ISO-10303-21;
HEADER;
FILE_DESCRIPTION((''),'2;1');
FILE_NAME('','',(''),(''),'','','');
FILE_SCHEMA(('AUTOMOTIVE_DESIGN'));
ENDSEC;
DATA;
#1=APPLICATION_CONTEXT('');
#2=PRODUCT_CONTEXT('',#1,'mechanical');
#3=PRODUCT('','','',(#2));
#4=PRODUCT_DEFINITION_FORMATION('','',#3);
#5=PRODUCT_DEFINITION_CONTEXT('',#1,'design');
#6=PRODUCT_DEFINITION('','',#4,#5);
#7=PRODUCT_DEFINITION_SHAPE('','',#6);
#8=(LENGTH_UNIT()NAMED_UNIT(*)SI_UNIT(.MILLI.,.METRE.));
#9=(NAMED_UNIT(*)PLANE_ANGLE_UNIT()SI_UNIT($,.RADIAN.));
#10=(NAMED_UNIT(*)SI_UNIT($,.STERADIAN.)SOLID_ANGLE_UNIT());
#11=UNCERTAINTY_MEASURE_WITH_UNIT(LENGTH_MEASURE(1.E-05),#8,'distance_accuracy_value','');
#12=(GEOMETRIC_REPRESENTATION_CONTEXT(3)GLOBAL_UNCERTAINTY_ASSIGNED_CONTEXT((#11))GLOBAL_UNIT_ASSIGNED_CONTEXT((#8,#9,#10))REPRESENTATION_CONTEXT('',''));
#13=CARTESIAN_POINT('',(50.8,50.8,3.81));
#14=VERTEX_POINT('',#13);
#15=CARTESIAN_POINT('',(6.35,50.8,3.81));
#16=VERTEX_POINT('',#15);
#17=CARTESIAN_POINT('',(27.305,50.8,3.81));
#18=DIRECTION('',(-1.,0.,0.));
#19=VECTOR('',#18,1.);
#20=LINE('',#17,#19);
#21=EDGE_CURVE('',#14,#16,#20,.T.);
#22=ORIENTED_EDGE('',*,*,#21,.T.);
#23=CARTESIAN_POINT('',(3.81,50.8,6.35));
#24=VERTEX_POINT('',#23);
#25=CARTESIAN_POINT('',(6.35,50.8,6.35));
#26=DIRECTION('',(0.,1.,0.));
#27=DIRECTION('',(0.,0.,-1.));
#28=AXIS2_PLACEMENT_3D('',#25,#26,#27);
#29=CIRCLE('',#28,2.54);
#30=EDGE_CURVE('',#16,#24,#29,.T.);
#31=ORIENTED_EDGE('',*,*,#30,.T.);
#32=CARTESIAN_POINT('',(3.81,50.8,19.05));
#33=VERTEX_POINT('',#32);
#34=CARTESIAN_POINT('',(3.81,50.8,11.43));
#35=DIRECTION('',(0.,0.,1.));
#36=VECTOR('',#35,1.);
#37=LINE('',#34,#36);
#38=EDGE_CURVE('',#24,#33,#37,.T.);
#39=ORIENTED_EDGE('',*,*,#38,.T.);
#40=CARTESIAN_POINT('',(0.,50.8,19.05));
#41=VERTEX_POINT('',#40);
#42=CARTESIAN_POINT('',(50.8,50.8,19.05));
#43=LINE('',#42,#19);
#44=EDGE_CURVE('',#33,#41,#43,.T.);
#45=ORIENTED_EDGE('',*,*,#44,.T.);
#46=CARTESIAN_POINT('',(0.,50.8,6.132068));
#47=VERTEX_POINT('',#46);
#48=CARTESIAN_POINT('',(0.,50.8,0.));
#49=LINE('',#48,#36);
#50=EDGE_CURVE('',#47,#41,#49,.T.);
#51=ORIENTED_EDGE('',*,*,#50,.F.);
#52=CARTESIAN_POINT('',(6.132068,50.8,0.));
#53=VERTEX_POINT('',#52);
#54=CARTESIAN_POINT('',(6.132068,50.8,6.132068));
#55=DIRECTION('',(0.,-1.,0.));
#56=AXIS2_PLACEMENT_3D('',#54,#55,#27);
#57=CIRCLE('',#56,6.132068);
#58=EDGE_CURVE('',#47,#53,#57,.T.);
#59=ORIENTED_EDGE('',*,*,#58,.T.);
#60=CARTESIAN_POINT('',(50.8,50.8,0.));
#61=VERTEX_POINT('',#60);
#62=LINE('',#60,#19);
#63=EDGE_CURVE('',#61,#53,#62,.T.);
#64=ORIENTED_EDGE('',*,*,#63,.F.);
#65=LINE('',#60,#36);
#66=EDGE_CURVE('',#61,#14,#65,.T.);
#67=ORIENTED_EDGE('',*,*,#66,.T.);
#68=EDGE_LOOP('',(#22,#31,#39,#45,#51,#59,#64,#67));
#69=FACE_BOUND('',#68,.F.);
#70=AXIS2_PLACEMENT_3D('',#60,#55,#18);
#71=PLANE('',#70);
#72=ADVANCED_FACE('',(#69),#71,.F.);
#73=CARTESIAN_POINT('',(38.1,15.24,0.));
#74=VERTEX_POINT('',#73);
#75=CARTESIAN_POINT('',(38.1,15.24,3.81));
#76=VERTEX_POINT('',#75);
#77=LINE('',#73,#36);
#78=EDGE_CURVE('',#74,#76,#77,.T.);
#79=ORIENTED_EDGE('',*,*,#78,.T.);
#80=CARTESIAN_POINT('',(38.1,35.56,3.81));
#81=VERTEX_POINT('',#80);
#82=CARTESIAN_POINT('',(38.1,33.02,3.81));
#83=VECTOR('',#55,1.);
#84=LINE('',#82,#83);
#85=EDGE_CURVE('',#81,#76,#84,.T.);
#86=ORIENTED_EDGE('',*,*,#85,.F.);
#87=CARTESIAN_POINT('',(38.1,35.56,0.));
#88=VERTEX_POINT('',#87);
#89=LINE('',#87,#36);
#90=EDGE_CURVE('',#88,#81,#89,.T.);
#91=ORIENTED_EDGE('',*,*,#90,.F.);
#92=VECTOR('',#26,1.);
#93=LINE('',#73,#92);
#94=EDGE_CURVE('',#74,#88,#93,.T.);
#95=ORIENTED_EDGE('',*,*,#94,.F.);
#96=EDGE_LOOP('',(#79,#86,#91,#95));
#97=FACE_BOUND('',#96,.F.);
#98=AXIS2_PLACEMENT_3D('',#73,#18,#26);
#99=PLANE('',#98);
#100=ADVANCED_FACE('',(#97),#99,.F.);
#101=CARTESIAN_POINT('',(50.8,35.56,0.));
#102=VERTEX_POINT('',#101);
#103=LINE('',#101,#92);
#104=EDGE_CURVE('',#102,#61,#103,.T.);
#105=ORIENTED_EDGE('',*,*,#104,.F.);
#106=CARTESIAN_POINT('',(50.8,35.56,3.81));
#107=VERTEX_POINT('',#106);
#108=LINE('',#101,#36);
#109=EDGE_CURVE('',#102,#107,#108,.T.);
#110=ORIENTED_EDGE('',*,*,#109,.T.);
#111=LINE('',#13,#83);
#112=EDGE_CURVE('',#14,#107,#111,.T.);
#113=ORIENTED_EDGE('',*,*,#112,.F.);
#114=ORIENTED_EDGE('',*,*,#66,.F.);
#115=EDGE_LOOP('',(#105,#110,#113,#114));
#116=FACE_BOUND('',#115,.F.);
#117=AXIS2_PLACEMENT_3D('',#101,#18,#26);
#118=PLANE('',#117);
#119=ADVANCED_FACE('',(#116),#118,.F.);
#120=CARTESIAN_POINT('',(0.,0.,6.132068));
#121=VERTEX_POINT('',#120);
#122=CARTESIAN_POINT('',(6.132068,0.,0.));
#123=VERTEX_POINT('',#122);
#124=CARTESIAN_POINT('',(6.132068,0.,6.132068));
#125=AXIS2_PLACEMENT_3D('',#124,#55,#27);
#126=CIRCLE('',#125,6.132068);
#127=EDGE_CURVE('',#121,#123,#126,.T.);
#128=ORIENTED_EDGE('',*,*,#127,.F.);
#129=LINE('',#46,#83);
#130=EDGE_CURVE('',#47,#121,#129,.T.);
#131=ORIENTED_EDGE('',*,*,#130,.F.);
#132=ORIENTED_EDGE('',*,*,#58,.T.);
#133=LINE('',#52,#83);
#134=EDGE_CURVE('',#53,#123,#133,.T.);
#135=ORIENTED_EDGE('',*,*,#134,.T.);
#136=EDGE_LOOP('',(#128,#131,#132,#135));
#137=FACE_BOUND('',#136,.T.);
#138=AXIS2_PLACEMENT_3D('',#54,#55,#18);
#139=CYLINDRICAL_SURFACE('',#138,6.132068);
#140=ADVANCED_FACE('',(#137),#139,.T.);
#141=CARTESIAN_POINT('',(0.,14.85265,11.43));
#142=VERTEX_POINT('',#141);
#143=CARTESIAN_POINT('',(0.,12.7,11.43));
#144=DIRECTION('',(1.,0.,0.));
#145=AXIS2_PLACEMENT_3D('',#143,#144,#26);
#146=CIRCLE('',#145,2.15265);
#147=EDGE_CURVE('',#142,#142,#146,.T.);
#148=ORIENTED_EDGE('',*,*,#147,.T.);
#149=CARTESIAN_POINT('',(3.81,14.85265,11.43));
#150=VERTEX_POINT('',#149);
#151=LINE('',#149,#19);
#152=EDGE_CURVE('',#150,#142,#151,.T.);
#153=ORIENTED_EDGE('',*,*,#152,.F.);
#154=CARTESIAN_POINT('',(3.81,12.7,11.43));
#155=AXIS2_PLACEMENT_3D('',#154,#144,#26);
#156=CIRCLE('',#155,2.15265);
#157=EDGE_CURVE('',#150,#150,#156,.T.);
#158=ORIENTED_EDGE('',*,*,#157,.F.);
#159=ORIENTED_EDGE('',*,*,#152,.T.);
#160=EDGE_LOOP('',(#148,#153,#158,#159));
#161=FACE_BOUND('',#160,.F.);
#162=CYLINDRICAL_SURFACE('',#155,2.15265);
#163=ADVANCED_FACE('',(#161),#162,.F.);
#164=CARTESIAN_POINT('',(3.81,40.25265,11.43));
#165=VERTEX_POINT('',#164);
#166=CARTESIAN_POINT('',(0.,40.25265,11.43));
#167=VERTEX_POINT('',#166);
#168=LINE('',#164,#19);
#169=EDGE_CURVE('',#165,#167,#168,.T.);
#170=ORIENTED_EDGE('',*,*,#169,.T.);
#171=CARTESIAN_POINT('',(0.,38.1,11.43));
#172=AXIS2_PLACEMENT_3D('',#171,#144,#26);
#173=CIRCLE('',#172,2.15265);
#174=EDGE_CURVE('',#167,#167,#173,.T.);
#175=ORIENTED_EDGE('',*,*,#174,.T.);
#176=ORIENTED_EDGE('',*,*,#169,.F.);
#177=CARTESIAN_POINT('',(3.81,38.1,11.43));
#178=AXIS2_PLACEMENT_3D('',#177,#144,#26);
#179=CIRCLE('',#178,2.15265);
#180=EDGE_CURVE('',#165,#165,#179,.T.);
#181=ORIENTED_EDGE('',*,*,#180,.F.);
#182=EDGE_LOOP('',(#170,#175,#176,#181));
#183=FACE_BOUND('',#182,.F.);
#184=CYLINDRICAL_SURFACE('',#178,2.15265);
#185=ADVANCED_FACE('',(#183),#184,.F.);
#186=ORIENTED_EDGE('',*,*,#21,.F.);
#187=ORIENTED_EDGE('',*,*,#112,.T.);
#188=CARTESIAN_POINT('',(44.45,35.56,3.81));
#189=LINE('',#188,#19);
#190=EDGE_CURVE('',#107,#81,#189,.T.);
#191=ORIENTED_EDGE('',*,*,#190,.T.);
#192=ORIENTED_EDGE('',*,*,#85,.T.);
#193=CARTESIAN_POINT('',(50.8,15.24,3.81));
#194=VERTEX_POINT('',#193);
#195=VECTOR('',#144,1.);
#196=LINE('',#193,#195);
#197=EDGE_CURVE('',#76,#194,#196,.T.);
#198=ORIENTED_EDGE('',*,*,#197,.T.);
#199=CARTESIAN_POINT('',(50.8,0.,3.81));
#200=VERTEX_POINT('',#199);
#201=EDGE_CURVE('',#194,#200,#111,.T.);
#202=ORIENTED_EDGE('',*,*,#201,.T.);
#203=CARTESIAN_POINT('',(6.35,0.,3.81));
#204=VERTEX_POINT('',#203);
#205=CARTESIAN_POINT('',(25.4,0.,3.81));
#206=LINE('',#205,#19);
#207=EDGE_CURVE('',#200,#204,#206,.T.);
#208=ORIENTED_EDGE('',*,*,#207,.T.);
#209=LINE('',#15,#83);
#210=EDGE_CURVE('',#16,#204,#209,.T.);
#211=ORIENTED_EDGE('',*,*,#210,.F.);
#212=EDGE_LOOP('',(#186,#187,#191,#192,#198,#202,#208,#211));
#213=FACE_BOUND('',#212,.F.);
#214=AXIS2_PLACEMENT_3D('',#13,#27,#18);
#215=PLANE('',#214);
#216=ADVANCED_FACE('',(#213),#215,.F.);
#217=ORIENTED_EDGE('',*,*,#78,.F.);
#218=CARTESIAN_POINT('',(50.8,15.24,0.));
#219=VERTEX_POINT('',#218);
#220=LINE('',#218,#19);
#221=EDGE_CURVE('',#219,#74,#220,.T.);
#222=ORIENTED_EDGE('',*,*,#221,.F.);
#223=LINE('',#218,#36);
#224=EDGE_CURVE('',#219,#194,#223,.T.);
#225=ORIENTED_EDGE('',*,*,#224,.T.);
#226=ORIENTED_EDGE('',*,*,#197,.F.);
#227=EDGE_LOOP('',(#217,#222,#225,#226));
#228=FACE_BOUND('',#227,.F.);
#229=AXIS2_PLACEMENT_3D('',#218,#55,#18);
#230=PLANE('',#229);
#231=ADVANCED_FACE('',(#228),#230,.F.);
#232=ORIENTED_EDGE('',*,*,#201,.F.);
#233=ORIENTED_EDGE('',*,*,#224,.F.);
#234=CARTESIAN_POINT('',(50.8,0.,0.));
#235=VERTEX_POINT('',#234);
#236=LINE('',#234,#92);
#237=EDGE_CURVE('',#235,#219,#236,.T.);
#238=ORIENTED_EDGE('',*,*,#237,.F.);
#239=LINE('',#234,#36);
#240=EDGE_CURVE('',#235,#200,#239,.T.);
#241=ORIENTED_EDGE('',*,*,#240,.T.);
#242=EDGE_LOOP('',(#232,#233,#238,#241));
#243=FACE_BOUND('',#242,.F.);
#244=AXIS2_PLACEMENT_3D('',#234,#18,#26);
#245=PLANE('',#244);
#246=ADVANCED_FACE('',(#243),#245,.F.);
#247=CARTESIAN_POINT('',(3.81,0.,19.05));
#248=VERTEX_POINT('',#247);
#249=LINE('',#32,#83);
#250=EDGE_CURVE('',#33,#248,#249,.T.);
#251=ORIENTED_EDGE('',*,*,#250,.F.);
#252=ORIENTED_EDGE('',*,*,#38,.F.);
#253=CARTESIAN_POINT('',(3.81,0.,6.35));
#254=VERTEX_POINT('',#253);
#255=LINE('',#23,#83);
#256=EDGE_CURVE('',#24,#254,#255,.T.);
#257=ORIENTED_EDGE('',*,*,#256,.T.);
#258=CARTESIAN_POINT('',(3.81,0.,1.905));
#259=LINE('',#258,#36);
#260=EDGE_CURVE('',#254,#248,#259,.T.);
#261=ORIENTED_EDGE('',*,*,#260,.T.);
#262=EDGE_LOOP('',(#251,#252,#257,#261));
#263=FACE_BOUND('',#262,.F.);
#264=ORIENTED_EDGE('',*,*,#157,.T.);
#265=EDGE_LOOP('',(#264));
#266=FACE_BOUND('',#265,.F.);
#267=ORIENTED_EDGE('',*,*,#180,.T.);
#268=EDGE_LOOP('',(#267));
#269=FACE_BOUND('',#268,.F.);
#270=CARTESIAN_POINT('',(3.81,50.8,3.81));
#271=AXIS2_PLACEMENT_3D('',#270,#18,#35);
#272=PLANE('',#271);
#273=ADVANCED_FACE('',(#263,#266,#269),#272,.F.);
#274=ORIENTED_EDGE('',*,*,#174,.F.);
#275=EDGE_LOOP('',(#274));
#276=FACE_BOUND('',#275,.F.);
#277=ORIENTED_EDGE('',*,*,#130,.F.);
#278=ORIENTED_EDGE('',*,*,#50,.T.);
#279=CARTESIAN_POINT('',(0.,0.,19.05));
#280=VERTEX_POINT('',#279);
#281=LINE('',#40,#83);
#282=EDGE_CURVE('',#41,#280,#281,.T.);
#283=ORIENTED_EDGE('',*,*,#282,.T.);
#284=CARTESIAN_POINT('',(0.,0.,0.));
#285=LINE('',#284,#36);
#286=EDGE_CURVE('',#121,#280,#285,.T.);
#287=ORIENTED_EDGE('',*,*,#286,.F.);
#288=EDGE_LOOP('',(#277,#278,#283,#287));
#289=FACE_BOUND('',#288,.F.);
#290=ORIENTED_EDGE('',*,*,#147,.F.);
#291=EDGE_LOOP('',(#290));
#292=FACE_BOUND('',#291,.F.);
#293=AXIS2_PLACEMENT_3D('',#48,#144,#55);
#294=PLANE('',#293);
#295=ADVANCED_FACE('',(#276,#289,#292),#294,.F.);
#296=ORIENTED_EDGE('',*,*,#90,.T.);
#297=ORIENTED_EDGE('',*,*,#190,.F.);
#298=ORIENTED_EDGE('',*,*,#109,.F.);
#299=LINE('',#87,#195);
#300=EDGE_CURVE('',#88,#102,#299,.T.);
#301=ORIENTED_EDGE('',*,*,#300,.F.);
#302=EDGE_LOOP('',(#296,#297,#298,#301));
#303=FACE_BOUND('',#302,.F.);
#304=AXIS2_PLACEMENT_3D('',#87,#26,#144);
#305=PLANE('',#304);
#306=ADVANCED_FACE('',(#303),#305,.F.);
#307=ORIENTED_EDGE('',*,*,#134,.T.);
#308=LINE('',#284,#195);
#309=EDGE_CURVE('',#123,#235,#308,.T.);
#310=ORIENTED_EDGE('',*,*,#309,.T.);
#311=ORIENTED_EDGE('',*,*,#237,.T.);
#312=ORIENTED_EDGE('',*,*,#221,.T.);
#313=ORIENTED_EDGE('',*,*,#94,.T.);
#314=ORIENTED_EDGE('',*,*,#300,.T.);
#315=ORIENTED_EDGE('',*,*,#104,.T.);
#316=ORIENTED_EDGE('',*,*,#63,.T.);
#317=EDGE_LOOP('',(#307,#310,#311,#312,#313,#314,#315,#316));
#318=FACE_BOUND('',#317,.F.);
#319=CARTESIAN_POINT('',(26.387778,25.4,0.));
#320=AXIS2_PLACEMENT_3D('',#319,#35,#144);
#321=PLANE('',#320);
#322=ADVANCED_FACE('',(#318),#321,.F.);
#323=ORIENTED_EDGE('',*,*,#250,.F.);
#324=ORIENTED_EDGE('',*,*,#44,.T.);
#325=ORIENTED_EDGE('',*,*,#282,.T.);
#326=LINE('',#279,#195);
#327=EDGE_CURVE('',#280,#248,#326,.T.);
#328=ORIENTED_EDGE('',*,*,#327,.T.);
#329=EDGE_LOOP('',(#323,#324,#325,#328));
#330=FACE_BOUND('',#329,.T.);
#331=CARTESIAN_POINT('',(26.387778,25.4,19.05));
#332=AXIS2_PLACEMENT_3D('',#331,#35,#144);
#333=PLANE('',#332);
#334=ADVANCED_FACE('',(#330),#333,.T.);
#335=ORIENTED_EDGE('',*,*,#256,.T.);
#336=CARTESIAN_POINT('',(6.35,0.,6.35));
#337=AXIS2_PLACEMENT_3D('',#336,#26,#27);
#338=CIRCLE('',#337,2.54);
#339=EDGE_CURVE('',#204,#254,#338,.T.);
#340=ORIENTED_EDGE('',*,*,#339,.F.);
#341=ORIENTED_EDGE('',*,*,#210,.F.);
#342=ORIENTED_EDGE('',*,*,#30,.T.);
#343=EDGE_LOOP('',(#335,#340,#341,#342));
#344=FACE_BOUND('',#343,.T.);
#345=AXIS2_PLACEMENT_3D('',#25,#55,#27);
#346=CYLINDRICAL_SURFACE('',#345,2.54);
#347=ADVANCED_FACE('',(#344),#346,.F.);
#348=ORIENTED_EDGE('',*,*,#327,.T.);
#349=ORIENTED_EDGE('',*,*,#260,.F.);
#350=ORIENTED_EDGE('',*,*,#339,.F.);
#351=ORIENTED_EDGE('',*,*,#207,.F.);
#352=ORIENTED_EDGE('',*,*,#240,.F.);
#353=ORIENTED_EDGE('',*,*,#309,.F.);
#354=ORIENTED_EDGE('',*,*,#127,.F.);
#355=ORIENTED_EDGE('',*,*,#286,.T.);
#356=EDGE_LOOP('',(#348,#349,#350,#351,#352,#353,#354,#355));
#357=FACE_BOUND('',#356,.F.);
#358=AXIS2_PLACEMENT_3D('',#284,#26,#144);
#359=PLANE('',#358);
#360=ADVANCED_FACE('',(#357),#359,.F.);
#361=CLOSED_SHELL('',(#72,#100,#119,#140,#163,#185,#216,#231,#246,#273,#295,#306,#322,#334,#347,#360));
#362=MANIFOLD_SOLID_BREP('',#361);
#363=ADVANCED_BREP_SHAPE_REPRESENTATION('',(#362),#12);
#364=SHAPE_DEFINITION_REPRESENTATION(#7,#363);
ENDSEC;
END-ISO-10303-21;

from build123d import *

# Parameters (mm, degrees)
F1_DEPTH = 19.05
F2_W     = 46.99
F2_H     = 15.24
F3_DEPTH = 50.801
F4_R     = 2.15265
F5_DEPTH = 3.811
F6_R     = 2.54
F7_R     = 6.132068


with BuildPart() as f1:
    # F0 (on Top) → F1 (new body)
    with BuildSketch(Plane.XY):
        Polygon((38.1, 15.24), (38.1, 35.56), (50.8, 35.56), (50.8, 50.8), (0, 50.8), (0, 0), (50.8, 0), (50.8, 15.24), align=None)
    extrude(amount=F1_DEPTH)

    # F2 (on face) → F3 (cut, through all)
    with BuildSketch(Plane(origin=(0, 50.8, 0), x_dir=(-1, 0, 0), z_dir=(0, 1, 0))):
        with Locations((-27.305, 11.43)):
            Rectangle(F2_W, F2_H)
    extrude(amount=-F3_DEPTH, mode=Mode.SUBTRACT)

    # F4 (on face) → F5 (cut, through all)
    with BuildSketch(Plane.YZ.offset(3.81)):
        with Locations((38.1, 11.43)):
            Circle(F4_R)
        with Locations((12.7, 11.43)):
            Circle(F4_R)
    extrude(amount=-F5_DEPTH, mode=Mode.SUBTRACT)

    # F6
    f6_edges = [f1.edges().sort_by_distance(p)[0] for p in [
        (3.81, 25.4, 3.81),
    ]]
    fillet(f6_edges, radius=F6_R)

    # F7
    f7_edges = [f1.edges().sort_by_distance(p)[0] for p in [
        (0, 25.4, 0),
    ]]
    fillet(f7_edges, radius=F7_R)


solid = f1.part
